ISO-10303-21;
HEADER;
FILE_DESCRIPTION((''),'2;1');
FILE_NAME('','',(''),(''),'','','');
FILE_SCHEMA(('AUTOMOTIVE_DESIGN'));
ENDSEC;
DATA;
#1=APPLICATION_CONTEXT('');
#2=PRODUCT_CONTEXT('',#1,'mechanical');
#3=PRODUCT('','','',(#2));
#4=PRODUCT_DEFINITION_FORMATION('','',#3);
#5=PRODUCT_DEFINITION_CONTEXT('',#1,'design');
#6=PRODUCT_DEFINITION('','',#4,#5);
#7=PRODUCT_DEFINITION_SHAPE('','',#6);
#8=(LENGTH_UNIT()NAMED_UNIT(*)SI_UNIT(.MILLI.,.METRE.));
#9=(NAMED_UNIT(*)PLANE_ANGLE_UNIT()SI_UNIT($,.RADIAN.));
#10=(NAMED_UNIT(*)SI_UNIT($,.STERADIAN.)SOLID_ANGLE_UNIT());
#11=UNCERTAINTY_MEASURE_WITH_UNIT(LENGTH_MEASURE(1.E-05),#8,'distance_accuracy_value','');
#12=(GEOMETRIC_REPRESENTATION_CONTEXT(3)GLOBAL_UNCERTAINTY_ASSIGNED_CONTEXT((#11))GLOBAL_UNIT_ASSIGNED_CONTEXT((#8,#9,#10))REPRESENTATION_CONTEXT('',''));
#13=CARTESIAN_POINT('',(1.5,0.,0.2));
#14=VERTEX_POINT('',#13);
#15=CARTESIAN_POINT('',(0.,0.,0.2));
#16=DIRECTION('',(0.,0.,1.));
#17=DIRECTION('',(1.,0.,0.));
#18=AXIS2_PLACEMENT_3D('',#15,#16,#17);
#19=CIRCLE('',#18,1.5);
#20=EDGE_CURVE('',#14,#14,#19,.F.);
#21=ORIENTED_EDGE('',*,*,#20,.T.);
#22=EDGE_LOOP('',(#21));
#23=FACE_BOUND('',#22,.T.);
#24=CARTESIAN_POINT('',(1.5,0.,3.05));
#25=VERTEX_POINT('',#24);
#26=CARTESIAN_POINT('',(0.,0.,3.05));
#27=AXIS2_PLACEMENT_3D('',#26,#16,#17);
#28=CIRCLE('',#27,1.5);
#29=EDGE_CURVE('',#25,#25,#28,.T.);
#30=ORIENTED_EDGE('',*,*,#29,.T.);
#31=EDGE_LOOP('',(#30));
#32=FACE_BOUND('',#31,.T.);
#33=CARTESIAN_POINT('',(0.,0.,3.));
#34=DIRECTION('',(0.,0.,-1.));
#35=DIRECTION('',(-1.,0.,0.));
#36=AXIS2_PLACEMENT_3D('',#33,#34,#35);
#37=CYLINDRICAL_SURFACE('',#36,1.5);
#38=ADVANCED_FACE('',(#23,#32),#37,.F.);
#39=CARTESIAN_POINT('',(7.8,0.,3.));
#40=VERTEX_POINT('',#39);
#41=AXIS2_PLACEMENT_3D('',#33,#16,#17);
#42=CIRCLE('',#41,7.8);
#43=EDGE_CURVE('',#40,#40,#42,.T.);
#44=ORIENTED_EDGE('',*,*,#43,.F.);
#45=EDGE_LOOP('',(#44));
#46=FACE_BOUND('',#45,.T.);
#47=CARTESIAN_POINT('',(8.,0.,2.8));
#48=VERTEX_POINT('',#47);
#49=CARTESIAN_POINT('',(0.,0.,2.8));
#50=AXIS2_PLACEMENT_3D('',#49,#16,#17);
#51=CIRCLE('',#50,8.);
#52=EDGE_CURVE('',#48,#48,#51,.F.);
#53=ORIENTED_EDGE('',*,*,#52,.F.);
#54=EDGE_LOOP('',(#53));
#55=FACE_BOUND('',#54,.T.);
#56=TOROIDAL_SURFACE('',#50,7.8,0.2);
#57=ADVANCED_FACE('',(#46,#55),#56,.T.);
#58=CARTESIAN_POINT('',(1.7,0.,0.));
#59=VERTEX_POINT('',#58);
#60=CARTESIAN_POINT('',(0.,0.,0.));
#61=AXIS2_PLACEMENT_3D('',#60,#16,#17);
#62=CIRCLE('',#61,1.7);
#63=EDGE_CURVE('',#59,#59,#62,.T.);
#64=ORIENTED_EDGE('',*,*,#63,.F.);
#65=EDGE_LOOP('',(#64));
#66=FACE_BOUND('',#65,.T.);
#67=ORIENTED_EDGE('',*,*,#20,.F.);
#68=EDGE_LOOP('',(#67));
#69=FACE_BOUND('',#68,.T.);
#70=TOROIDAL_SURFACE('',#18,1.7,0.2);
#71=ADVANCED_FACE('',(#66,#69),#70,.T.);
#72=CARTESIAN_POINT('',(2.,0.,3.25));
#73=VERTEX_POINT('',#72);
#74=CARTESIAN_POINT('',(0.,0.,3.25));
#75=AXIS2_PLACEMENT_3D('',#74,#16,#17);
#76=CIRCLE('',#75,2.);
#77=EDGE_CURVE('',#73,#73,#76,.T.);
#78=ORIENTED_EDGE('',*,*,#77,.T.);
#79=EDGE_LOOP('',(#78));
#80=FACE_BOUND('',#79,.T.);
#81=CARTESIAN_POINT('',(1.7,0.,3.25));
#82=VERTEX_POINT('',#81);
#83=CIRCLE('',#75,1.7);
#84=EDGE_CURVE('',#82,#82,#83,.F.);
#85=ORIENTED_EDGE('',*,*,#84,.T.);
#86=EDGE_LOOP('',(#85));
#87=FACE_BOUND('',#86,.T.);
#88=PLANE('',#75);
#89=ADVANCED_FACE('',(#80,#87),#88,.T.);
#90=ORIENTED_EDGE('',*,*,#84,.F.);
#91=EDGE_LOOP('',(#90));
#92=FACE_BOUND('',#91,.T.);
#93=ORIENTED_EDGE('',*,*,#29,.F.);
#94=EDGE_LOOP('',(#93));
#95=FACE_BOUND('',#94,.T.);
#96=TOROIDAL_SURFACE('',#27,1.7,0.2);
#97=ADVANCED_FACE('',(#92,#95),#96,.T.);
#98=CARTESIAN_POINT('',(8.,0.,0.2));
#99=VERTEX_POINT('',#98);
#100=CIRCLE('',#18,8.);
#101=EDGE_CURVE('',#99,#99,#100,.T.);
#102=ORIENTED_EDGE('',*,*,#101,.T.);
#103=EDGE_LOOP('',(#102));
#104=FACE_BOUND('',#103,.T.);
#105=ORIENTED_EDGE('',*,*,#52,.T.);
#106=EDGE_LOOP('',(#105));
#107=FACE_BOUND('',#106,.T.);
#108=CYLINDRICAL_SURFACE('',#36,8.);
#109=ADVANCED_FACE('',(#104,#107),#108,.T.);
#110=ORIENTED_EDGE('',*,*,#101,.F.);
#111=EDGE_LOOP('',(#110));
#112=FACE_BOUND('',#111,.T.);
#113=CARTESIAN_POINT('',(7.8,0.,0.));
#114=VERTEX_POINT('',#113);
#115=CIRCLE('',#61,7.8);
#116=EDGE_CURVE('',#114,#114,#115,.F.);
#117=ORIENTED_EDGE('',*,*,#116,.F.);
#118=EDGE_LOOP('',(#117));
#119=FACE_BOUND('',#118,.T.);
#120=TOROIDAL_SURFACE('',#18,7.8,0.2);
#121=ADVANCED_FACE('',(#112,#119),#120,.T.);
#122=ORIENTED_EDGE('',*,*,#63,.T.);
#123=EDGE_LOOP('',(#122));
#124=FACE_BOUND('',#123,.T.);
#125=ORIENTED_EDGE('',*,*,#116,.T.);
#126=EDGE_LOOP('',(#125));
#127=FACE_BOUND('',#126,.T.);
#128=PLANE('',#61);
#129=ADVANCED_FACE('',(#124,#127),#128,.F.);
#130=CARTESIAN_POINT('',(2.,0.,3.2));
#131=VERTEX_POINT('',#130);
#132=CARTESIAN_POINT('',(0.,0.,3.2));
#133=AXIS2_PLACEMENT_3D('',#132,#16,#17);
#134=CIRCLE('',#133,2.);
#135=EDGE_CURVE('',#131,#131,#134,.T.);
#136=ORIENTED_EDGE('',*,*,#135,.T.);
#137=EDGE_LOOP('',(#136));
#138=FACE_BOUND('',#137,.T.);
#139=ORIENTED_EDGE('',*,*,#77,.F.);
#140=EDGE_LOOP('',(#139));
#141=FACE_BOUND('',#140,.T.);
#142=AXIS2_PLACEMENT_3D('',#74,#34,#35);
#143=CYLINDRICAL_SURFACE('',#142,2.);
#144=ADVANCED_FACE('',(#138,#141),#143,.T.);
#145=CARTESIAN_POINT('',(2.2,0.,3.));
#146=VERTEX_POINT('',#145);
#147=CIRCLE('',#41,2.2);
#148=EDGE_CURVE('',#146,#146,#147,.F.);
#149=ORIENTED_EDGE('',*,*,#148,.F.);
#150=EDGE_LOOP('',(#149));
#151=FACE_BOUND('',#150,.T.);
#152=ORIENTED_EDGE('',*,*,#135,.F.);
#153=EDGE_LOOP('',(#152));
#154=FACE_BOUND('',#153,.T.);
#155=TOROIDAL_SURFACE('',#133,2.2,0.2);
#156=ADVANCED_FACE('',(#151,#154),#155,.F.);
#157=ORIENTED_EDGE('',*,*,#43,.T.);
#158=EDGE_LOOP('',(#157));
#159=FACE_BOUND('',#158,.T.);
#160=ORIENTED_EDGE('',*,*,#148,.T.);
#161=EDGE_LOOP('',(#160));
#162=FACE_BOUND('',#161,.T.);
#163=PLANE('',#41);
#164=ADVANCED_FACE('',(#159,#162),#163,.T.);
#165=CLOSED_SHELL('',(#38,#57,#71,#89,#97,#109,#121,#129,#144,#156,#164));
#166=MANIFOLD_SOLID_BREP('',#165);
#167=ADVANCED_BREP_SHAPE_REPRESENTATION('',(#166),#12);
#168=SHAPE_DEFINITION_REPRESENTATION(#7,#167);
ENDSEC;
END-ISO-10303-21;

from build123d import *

# Parameters (mm, degrees)
ESQUISSE1_R      = 8
ESQUISSE1_R_2    = 1.5
EXTRUSION1_DEPTH = 3
ESQUISSE2_R      = 2
ESQUISSE2_R_2    = 1.5
EXTRUSION2_DEPTH = 0.25
CONG_1_R         = 0.2


with BuildPart() as part:
    # Esquisse1 → Extrusion1 (new body)
    with BuildSketch(Plane.XY):
        Circle(ESQUISSE1_R)
        Circle(ESQUISSE1_R_2, mode=Mode.SUBTRACT)
    extrude(amount=EXTRUSION1_DEPTH)

    # Esquisse2 → Extrusion2 (add)
    with BuildSketch(Plane.XY.offset(3)):
        Circle(ESQUISSE2_R)
        Circle(ESQUISSE2_R_2, mode=Mode.SUBTRACT)
    extrude(amount=EXTRUSION2_DEPTH)

    # Congé1
    cong_1_edges = [part.edges().sort_by_distance(p)[0] for p in [
        (-8, 0, 0),
        (-8, 0, 3),
        (-2, 0, 3),
        (-1.5, 0, 3.25),
        (-1.5, 0, 0),
    ]]
    fillet(cong_1_edges, radius=CONG_1_R)


solid = part.part
